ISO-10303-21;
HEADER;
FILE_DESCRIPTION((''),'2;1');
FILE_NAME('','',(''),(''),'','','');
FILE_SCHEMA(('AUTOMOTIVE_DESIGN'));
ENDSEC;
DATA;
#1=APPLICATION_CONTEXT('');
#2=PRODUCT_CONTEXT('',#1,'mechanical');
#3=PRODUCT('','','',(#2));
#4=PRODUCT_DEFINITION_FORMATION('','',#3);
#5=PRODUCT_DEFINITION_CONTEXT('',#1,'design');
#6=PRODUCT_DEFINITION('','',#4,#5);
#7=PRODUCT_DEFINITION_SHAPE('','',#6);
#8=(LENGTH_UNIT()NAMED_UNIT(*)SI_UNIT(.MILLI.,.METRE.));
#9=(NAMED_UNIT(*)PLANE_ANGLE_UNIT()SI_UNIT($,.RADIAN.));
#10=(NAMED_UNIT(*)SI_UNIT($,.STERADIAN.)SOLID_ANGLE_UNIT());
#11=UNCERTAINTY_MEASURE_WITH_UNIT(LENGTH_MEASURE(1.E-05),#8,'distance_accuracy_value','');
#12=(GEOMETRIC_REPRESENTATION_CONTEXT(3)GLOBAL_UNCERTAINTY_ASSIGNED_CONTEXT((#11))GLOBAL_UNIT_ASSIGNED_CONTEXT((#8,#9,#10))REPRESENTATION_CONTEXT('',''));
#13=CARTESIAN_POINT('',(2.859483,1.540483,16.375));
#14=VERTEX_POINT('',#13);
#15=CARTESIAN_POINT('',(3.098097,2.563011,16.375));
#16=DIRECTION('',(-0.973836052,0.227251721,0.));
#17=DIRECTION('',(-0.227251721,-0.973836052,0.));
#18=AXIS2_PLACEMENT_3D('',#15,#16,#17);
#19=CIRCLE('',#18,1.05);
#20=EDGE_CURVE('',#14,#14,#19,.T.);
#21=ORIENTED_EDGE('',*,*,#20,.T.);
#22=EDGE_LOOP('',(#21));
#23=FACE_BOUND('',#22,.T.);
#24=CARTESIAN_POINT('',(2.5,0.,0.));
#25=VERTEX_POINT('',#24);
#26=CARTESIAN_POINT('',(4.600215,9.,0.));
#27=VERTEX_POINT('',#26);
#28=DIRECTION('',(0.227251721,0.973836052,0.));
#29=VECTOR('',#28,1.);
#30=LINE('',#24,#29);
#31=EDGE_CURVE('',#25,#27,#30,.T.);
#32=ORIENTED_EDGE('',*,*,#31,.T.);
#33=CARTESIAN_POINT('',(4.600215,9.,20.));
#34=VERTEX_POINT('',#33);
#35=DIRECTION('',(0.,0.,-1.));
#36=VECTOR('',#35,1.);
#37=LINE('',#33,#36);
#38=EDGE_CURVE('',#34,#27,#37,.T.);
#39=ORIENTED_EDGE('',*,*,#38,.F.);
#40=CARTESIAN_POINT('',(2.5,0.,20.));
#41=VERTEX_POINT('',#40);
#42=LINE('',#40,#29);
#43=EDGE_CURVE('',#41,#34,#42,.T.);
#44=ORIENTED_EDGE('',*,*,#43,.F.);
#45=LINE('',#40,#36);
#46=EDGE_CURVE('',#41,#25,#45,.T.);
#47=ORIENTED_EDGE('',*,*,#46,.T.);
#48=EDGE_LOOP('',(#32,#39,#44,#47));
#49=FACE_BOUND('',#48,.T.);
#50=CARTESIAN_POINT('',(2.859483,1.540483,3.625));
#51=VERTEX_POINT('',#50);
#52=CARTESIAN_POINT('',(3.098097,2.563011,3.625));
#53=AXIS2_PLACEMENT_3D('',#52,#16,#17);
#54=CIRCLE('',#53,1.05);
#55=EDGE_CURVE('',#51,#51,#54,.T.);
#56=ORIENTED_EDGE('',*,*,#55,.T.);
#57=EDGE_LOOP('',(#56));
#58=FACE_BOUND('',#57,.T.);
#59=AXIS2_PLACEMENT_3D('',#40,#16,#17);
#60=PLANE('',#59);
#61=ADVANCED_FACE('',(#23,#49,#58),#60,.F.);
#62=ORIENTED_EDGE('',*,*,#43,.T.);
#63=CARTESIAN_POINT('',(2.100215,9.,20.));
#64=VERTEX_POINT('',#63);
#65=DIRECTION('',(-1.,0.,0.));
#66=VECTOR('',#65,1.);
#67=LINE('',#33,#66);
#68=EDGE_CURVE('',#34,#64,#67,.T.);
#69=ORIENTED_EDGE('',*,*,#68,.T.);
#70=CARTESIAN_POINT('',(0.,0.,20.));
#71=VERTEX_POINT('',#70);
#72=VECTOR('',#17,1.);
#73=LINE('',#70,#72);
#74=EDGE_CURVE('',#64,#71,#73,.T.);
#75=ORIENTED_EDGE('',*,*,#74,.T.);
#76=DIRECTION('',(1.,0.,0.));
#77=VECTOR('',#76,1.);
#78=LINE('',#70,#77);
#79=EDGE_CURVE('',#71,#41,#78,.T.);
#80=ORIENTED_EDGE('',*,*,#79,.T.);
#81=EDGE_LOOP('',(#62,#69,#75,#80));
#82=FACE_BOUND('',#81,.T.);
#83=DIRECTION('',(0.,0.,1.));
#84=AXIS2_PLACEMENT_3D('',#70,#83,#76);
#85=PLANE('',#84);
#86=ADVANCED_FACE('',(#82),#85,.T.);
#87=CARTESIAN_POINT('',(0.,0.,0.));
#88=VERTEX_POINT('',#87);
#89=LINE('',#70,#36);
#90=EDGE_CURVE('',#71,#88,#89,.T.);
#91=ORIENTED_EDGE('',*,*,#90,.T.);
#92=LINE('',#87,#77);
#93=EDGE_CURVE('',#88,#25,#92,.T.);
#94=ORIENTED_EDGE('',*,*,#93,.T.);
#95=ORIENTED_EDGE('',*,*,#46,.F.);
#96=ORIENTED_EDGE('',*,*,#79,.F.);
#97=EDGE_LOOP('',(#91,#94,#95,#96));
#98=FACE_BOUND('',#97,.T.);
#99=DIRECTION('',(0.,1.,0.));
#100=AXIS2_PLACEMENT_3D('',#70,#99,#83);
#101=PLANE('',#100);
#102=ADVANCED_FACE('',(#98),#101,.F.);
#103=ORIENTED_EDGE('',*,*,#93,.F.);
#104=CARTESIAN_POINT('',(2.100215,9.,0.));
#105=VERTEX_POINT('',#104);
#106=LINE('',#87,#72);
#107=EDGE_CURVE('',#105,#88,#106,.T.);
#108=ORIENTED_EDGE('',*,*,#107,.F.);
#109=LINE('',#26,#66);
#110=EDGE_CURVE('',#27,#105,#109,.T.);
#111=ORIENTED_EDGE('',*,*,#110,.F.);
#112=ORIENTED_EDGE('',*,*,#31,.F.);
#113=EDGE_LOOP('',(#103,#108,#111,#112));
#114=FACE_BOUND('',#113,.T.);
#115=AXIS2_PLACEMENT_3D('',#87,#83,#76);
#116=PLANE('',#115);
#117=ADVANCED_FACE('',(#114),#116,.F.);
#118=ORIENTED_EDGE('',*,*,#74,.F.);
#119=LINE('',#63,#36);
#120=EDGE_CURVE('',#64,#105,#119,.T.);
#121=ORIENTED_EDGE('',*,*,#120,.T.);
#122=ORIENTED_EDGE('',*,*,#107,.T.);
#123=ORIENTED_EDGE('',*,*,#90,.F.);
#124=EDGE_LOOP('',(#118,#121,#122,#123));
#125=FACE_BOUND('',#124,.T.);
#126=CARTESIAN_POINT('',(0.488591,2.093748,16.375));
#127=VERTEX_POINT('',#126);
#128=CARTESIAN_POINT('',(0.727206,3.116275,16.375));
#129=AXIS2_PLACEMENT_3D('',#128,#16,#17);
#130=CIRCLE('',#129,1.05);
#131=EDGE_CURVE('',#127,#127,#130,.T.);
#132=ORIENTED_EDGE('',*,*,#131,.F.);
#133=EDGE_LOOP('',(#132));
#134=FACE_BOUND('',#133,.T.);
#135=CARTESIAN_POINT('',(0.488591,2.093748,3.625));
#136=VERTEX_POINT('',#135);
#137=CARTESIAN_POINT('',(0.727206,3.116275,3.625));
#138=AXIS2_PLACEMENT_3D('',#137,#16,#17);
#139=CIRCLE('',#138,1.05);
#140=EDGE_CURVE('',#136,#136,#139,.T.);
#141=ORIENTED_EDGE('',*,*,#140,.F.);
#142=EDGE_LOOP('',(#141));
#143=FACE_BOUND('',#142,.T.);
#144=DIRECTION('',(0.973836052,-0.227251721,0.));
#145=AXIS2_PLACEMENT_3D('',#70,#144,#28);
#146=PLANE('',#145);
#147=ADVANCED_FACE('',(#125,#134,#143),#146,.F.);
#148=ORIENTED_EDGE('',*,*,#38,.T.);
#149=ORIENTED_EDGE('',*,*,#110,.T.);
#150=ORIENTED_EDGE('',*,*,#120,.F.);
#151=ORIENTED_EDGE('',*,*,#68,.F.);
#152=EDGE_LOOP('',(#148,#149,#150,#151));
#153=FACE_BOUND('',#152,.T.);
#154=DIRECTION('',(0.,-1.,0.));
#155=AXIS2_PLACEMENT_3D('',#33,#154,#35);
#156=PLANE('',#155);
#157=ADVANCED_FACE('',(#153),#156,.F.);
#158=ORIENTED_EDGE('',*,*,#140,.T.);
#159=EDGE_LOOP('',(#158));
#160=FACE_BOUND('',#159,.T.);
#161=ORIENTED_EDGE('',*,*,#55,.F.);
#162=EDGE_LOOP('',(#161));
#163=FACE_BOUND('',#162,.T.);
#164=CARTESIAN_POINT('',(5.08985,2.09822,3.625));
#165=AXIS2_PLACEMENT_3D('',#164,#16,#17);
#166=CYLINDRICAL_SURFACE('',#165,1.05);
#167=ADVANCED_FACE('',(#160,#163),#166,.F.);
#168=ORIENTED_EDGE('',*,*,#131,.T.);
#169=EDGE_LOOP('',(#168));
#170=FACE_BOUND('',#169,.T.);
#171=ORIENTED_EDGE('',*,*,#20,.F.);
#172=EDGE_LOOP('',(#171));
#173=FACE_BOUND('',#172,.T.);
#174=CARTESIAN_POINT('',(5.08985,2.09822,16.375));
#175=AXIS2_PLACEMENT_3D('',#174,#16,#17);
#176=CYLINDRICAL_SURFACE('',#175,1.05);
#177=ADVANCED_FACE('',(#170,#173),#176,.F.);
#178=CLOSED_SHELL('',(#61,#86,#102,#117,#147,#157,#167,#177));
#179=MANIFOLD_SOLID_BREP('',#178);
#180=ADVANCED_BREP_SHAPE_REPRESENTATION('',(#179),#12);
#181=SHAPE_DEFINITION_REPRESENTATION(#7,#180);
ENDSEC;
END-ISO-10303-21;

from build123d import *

# Parameters (mm, degrees)
BOSS_EXTRUDE2_DEPTH = 20
SKETCH4_R           = 1.05
CUT_EXTRUDE1_DEPTH  = 5.479855617


with BuildPart() as part:
    # Sketch2 → Boss-Extrude2 (new body)
    with BuildSketch(Plane.XY):
        Polygon((0, 0), (2.5, 0), (4.600215416, 9), (2.100215416, 9), align=None)
    extrude(amount=BOSS_EXTRUDE2_DEPTH)

    # Sketch4 → Cut-Extrude1 (cut, through all)
    with BuildSketch(Plane(origin=(0, 0, 0), x_dir=(0, 0, 1), z_dir=(-0.973836052, 0.227251721, 0))):
        with Locations((3.625, 3.2)):
            Circle(SKETCH4_R)
        with Locations((16.375, 3.2)):
            Circle(SKETCH4_R)
    extrude(amount=-CUT_EXTRUDE1_DEPTH, mode=Mode.SUBTRACT)


solid = part.part
